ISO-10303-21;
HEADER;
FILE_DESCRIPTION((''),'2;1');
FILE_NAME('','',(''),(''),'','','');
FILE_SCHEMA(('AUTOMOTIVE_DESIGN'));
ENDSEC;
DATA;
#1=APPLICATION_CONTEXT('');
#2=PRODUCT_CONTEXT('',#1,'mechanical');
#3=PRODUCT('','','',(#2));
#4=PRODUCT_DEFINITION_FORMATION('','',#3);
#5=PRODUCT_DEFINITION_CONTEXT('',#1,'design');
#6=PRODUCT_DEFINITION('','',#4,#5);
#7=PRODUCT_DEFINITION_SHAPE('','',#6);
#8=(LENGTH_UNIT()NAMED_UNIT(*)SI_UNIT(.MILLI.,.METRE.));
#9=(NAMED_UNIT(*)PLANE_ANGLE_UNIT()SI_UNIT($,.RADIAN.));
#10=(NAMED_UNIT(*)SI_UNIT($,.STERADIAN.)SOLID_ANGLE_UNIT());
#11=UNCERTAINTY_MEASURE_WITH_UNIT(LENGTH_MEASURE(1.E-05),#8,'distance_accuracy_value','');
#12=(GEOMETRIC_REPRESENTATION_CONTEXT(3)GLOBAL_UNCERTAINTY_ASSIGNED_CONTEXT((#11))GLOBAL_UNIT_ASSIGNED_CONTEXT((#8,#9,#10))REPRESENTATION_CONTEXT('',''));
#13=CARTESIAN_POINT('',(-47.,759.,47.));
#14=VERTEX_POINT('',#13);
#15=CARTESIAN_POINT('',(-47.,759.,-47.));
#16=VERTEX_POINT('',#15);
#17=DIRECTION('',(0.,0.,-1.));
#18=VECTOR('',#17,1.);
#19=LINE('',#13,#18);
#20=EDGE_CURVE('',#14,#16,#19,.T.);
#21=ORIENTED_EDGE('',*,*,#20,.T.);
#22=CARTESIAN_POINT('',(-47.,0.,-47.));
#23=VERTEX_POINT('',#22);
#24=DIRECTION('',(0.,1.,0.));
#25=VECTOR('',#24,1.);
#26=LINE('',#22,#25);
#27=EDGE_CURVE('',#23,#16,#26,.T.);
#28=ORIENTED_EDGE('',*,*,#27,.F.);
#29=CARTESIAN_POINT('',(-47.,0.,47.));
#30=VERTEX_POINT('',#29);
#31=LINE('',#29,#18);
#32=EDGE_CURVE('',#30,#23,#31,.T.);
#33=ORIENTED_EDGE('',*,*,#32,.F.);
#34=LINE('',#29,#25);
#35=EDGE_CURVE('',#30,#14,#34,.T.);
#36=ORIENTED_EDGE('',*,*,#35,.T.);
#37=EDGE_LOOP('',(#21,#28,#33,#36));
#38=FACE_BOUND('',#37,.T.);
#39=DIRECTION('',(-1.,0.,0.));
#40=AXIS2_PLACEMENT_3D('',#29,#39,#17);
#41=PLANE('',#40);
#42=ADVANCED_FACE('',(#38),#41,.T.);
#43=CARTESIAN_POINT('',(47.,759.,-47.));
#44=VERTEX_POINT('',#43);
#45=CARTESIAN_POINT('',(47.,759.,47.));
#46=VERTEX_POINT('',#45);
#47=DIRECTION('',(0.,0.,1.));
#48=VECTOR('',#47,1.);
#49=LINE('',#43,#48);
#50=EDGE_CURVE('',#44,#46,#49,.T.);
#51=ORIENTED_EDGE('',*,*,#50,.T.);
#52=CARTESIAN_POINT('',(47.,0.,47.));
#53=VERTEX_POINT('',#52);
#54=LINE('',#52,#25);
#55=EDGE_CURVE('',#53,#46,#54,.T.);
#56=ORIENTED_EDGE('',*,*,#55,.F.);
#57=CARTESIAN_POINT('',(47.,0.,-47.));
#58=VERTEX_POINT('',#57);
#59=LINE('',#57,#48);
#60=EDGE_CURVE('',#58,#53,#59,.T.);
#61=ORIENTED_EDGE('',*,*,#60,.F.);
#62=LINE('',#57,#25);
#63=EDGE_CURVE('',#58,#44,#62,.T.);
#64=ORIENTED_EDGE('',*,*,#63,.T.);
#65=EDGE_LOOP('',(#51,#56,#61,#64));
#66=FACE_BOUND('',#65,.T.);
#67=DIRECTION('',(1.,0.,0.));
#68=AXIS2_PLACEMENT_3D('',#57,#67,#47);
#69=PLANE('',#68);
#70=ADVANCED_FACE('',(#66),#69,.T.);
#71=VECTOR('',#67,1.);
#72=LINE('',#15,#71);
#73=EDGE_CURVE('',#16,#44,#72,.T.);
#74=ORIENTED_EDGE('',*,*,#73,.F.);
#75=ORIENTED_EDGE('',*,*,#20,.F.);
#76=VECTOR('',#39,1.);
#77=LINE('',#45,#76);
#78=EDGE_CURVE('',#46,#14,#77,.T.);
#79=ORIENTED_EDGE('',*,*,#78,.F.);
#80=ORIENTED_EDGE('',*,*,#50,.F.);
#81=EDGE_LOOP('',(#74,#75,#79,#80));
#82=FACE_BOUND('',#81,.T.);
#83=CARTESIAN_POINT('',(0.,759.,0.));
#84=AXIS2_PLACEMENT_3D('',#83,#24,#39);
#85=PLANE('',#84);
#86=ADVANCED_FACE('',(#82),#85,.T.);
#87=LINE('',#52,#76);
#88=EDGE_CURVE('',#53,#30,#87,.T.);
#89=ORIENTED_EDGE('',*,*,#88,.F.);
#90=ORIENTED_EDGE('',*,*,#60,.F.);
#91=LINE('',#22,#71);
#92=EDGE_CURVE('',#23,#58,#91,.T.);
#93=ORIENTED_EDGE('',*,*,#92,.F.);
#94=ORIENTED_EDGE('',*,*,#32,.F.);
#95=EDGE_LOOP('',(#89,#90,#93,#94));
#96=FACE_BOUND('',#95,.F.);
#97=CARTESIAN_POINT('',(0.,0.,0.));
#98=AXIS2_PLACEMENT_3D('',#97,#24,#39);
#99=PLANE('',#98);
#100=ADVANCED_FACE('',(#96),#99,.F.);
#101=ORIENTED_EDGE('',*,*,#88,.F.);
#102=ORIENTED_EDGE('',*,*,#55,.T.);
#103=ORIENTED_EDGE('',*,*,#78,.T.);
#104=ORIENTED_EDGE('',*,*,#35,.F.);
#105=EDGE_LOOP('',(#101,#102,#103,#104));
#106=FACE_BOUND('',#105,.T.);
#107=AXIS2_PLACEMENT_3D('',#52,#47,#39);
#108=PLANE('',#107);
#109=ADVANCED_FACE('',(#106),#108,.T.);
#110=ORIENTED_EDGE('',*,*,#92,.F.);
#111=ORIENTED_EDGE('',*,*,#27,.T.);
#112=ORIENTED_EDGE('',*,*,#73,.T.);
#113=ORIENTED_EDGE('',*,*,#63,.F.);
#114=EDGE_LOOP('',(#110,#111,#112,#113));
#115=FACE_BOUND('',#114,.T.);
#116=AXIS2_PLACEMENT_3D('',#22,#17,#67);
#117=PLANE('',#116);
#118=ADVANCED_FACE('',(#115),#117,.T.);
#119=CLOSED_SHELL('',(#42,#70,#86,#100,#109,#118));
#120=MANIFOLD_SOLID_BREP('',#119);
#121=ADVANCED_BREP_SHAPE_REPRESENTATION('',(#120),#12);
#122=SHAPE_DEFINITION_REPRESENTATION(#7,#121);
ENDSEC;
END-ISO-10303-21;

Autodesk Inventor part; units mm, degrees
ref_plane "YZ Plane" through (0, 0, 0) normal (1, 0, 0) x (0, 1, 0)
ref_plane "XZ Plane" through (0, 0, 0) normal (0, 1, 0) x (-1, 0, 0)
ref_plane "XY Plane" through (0, 0, 0) normal (0, 0, 1) x (1, 0, 0)
sketch "Skizze1" plane through (0, 0, 0) normal (0, 1, 0) x (-1, 0, 0)
  line L0 (-47, 47) -> (47, 47)
  line L1 (47, 47) -> (47, -47)
  line L2 (47, -47) -> (-47, -47)
  line L3 (-47, -47) -> (-47, 47)
  line L4 (-47, 47) -> (47, -47) construction
  line L5 (47, 47) -> (-47, -47) construction
  point P0 (0, 0)
  dimension "d0" = 94
  dimension "d1" = 94
extrude "Extrusion1" add sketch "Skizze1" along normal blind 759
properties part number "Leg" material "Holz (Birke)"
